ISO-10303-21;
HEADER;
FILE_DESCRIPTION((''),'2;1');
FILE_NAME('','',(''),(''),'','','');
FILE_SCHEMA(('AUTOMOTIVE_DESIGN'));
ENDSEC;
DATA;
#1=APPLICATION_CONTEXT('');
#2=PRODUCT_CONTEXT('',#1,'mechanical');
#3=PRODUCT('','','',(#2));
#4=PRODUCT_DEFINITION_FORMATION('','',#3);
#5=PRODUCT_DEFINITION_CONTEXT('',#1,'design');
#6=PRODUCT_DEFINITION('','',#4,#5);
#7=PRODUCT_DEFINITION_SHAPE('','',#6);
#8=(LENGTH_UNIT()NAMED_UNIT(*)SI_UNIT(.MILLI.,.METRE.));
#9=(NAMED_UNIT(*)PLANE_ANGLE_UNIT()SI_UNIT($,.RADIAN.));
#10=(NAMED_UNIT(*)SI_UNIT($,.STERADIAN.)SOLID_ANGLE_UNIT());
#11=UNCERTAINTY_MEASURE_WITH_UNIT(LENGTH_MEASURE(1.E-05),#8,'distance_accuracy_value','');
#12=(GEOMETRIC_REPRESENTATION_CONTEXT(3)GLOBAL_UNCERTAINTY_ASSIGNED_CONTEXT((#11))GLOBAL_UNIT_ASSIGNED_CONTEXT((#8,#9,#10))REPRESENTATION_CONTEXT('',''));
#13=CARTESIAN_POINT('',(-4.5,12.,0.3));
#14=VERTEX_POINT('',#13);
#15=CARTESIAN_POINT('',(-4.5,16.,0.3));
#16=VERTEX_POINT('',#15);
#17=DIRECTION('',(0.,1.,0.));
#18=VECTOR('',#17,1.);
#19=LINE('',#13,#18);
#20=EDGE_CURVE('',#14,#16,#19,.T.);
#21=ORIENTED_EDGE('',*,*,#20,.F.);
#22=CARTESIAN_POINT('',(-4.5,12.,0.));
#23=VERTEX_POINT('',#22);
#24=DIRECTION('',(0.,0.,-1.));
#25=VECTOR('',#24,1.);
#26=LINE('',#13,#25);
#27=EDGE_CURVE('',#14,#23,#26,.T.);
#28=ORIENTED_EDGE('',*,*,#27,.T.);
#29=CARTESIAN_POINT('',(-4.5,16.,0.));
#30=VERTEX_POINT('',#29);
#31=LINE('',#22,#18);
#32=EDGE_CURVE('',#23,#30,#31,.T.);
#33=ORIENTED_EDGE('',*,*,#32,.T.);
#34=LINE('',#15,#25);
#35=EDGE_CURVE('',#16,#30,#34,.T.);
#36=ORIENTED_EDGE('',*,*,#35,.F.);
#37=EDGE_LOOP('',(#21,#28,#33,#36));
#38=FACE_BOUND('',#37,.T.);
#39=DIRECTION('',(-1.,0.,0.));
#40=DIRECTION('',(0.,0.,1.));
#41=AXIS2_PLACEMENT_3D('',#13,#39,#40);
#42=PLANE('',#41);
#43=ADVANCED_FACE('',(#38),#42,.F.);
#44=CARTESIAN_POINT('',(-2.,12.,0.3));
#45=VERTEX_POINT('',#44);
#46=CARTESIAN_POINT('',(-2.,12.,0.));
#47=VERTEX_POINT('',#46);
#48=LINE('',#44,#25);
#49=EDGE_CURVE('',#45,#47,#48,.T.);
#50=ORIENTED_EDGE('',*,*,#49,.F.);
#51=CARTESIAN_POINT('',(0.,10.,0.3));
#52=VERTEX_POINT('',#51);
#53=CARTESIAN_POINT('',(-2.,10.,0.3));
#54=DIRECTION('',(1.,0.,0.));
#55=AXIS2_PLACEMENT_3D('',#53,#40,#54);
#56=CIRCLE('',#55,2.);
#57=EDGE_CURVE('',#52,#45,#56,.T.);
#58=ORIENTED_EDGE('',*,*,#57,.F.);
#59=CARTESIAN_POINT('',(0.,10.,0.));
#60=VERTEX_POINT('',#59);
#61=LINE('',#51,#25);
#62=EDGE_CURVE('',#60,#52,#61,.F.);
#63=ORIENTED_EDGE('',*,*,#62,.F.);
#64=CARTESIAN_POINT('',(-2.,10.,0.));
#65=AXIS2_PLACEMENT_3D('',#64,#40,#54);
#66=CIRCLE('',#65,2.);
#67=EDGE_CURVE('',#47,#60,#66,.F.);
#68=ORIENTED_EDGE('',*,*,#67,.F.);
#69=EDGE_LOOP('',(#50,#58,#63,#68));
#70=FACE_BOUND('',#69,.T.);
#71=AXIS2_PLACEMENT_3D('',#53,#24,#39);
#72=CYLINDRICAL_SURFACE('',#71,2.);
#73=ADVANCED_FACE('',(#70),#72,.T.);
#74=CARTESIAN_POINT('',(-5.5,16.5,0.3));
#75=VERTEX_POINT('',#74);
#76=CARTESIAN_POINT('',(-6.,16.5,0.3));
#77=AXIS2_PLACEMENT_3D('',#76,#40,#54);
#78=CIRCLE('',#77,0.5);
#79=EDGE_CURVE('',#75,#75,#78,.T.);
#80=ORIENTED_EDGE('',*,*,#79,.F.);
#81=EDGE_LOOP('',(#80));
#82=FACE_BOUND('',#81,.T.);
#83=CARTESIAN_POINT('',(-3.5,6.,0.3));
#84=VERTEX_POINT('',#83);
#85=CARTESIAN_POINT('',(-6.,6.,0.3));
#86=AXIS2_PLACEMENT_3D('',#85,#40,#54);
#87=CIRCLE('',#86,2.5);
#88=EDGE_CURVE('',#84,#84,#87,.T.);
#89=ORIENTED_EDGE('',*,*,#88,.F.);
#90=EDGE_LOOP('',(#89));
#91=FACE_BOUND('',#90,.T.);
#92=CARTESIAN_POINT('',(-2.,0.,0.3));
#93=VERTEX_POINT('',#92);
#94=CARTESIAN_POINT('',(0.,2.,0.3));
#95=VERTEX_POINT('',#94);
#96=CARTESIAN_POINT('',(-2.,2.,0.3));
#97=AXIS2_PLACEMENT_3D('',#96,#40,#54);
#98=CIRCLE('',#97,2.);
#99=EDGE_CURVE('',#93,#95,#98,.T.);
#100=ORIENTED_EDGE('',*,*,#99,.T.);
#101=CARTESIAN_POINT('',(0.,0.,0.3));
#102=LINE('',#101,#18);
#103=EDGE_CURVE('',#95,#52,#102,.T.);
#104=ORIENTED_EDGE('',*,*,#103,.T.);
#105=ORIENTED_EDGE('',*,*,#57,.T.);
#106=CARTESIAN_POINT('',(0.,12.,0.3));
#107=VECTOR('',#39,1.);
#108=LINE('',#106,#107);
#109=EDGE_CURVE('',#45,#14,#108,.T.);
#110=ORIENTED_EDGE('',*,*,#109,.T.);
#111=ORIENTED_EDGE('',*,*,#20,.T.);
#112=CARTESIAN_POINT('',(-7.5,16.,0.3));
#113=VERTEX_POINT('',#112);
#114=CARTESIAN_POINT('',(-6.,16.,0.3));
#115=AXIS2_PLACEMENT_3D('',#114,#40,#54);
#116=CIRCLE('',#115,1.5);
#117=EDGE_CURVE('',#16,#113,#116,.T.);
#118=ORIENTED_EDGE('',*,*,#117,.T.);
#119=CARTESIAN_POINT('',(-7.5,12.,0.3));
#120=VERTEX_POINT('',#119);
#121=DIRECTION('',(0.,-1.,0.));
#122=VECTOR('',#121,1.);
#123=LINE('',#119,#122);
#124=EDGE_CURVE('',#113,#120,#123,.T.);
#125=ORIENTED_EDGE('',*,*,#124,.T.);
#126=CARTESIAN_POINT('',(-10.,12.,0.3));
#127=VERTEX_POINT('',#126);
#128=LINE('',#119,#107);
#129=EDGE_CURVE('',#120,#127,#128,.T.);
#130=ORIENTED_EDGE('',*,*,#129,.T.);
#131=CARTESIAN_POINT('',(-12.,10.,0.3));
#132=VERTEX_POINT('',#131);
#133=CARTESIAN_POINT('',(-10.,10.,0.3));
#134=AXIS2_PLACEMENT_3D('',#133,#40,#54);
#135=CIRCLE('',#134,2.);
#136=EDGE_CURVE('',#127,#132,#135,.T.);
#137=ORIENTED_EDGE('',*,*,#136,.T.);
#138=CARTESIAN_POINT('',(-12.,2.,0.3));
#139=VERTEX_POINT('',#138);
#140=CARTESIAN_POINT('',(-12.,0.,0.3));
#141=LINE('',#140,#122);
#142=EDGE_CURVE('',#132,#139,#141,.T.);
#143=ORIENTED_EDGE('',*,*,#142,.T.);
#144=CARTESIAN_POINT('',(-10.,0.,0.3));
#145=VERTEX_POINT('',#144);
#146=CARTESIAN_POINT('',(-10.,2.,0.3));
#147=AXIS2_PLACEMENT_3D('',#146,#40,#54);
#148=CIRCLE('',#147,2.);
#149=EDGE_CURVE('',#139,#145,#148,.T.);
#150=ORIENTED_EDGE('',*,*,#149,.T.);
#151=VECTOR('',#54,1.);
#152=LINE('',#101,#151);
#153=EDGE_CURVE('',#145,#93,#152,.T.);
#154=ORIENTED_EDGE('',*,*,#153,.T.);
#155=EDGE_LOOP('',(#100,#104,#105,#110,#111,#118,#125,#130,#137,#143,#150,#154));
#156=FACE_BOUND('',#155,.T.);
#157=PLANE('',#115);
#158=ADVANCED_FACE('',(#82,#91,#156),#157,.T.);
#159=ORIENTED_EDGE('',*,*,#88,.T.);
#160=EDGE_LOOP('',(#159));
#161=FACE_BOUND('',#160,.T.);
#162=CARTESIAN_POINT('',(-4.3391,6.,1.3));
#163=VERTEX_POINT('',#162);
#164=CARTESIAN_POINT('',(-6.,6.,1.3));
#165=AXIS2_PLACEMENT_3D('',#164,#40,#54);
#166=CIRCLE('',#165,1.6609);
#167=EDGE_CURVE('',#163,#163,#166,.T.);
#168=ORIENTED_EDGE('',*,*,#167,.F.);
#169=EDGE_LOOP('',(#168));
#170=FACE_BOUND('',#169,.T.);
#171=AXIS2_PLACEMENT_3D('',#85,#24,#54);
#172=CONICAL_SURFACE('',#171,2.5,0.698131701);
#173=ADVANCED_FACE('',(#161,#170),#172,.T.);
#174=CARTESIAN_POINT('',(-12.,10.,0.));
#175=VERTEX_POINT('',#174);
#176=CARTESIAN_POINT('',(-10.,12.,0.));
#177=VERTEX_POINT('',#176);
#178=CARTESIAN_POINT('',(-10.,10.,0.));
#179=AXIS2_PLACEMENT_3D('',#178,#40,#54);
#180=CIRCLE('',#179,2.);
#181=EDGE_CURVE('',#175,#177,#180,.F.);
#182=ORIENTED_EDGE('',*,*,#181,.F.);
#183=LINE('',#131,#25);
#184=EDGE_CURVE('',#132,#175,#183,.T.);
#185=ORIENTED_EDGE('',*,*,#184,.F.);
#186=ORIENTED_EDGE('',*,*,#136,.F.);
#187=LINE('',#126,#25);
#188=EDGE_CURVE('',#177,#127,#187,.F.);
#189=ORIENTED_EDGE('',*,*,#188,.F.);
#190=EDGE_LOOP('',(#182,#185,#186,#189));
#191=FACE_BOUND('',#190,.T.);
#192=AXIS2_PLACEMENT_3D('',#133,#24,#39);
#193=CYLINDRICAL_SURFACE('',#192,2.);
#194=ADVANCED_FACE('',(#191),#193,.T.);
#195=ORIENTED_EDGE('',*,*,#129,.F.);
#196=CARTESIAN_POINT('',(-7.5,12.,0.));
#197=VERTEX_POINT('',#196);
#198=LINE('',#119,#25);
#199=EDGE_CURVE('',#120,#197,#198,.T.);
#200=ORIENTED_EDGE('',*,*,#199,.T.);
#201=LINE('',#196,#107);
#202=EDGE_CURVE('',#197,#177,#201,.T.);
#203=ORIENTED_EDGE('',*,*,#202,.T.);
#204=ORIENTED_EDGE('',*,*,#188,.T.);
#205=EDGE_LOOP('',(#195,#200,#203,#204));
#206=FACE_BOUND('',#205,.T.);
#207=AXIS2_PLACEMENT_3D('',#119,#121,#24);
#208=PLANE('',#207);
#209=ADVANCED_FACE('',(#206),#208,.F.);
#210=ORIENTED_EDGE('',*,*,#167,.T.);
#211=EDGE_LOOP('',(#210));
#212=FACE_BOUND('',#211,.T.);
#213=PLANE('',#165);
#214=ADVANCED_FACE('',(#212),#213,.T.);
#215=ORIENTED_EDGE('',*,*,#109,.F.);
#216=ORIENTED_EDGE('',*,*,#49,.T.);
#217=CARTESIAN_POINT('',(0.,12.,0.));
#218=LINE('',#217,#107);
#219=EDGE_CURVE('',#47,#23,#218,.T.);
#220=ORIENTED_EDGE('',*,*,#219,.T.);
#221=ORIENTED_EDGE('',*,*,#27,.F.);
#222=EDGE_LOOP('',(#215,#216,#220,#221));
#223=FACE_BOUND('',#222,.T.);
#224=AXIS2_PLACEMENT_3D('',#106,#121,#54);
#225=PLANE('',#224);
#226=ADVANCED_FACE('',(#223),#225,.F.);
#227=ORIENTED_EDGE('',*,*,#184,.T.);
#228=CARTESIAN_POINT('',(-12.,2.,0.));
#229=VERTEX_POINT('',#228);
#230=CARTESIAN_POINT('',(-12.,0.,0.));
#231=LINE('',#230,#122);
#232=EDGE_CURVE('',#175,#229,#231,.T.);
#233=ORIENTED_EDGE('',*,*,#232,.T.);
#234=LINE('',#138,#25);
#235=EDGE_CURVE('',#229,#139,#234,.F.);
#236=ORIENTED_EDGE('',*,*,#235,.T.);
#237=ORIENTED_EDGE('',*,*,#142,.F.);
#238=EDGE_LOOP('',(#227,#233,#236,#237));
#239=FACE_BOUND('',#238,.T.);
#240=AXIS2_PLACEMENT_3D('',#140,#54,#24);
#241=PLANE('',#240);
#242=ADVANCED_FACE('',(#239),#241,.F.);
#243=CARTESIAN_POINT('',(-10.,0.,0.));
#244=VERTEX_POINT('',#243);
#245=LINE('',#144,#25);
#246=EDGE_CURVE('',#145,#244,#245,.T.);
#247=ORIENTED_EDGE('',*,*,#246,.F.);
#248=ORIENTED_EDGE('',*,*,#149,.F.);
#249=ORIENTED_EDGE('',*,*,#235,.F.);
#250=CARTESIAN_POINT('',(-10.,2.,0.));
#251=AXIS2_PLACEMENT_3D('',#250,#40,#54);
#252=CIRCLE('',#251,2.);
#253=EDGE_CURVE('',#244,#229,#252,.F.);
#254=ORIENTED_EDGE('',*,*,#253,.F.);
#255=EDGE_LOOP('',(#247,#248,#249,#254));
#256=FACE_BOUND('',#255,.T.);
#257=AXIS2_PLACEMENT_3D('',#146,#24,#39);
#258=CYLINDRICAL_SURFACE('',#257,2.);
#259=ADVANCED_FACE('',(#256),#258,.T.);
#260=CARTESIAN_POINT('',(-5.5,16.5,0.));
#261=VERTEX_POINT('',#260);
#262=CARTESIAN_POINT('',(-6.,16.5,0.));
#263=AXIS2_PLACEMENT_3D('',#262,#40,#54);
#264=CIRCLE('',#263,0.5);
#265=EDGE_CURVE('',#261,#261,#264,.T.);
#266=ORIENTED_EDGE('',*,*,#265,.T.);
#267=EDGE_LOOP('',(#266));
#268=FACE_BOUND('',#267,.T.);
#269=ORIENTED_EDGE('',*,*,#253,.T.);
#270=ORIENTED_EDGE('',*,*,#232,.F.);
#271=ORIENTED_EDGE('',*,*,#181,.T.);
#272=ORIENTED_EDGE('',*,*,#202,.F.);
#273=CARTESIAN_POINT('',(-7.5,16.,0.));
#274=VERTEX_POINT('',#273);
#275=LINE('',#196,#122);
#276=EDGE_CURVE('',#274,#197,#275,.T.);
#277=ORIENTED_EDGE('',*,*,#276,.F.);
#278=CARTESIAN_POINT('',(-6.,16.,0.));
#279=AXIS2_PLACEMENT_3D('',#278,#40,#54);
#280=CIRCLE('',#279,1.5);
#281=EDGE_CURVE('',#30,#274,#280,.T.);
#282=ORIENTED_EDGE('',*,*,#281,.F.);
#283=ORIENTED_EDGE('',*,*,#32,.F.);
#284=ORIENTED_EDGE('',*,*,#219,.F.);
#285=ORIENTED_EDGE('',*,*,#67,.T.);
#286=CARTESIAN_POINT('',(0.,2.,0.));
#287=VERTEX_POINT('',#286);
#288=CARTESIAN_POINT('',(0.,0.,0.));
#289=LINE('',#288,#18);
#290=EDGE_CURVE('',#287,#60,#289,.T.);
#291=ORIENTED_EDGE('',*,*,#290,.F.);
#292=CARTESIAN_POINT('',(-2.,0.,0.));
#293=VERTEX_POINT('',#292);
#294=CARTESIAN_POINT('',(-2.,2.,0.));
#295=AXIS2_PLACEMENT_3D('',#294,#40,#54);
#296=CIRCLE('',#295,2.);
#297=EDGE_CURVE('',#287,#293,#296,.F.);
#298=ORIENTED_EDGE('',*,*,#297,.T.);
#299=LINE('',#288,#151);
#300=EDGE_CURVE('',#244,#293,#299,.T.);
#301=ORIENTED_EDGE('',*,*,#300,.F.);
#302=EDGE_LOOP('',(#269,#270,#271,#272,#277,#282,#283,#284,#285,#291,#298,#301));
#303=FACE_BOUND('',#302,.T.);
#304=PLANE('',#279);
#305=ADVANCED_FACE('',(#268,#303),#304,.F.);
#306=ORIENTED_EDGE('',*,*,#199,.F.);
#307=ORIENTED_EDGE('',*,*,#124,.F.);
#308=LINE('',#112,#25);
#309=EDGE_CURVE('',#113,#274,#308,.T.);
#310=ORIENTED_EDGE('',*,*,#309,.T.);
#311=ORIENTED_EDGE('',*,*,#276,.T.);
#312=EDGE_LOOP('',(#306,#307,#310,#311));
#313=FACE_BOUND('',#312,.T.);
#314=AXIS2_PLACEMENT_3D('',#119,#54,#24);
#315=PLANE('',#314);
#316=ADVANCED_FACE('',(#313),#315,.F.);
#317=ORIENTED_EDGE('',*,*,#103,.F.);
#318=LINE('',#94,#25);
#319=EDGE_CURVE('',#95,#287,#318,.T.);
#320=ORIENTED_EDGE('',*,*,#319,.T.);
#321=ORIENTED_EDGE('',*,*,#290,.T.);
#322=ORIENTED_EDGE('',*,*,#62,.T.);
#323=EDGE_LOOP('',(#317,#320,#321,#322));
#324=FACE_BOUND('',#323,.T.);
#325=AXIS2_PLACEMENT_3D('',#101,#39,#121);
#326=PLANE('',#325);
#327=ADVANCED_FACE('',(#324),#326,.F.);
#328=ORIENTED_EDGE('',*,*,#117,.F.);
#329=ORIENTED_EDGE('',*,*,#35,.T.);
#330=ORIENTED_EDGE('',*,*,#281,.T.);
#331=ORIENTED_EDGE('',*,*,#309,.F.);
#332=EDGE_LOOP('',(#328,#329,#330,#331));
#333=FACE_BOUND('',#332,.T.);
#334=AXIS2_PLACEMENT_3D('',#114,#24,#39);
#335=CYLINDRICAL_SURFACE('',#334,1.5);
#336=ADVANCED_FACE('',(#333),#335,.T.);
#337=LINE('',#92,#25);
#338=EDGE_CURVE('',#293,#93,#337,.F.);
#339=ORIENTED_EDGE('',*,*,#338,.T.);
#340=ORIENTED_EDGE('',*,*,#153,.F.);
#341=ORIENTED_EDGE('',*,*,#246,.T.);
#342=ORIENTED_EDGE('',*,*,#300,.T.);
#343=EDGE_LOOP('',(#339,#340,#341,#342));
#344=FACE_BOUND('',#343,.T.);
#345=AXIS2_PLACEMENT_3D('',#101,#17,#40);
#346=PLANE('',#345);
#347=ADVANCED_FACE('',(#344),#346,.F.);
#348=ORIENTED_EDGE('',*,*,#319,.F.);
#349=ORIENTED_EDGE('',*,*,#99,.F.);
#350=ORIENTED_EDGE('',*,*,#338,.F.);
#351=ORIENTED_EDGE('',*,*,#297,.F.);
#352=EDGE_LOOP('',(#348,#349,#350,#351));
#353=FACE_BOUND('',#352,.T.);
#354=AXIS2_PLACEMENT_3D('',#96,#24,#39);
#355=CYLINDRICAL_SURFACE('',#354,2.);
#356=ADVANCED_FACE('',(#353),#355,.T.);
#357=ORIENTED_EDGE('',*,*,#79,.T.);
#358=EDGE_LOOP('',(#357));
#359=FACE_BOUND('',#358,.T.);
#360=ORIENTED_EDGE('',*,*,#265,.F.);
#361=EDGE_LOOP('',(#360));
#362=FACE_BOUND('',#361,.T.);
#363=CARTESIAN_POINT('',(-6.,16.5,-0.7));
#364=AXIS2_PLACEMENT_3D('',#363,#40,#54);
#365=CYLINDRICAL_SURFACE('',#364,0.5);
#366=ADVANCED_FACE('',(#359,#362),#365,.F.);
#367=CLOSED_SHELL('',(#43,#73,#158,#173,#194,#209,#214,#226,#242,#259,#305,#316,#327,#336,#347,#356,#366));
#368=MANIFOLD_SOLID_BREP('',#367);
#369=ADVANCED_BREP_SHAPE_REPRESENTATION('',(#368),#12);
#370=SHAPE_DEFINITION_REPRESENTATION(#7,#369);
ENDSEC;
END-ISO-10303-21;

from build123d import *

# Parameters (mm, degrees)
EXTRUDE_1_DEPTH     = 0.3
FILLET_1_R          = 2
SKETCH_2_R          = 2.5
EXTRUDE_2_DEPTH     = 1
EXTRUDE_2_TAPER     = 40
SKETCH_3_R          = 0.5
CUT_EXTRUDE_1_DEPTH = 1


with BuildPart() as part:
    # 草图1 → 凸台-拉伸1 (new body)
    with BuildSketch(Plane.XY):
        with BuildLine():
            Line((-7.5, 12), (-12, 12))
            Line((-12, 12), (-12, 0))
            Line((-12, 0), (0, 0))
            Line((0, 0), (0, 12))
            Line((0, 12), (-4.5, 12))
            Line((-4.5, 12), (-4.5, 16))
            ThreePointArc((-4.5, 16), (-6, 17.5), (-7.5, 16))
            Line((-7.5, 16), (-7.5, 12))
        make_face()
    extrude(amount=EXTRUDE_1_DEPTH)

    # 圆角1
    fillet_1_edges = [part.edges().sort_by_distance(p)[0] for p in [
        (0, 0, 0.15),
        (-12, 0, 0.15),
        (-12, 12, 0.15),
        (0, 12, 0.15),
    ]]
    fillet(fillet_1_edges, radius=FILLET_1_R)

    # 草图2 → 凸台-拉伸2 (add)
    with BuildSketch(Plane.XY.offset(0.3)):
        with Locations((-6, 6)):
            Circle(SKETCH_2_R)
    extrude(amount=EXTRUDE_2_DEPTH, taper=EXTRUDE_2_TAPER)

    # 草图3 → 切除-拉伸1 (cut)
    with BuildSketch(Plane.XY.offset(0.3)):
        with Locations((-6, 16.5)):
            Circle(SKETCH_3_R)
    extrude(amount=-CUT_EXTRUDE_1_DEPTH, mode=Mode.SUBTRACT)


solid = part.part
